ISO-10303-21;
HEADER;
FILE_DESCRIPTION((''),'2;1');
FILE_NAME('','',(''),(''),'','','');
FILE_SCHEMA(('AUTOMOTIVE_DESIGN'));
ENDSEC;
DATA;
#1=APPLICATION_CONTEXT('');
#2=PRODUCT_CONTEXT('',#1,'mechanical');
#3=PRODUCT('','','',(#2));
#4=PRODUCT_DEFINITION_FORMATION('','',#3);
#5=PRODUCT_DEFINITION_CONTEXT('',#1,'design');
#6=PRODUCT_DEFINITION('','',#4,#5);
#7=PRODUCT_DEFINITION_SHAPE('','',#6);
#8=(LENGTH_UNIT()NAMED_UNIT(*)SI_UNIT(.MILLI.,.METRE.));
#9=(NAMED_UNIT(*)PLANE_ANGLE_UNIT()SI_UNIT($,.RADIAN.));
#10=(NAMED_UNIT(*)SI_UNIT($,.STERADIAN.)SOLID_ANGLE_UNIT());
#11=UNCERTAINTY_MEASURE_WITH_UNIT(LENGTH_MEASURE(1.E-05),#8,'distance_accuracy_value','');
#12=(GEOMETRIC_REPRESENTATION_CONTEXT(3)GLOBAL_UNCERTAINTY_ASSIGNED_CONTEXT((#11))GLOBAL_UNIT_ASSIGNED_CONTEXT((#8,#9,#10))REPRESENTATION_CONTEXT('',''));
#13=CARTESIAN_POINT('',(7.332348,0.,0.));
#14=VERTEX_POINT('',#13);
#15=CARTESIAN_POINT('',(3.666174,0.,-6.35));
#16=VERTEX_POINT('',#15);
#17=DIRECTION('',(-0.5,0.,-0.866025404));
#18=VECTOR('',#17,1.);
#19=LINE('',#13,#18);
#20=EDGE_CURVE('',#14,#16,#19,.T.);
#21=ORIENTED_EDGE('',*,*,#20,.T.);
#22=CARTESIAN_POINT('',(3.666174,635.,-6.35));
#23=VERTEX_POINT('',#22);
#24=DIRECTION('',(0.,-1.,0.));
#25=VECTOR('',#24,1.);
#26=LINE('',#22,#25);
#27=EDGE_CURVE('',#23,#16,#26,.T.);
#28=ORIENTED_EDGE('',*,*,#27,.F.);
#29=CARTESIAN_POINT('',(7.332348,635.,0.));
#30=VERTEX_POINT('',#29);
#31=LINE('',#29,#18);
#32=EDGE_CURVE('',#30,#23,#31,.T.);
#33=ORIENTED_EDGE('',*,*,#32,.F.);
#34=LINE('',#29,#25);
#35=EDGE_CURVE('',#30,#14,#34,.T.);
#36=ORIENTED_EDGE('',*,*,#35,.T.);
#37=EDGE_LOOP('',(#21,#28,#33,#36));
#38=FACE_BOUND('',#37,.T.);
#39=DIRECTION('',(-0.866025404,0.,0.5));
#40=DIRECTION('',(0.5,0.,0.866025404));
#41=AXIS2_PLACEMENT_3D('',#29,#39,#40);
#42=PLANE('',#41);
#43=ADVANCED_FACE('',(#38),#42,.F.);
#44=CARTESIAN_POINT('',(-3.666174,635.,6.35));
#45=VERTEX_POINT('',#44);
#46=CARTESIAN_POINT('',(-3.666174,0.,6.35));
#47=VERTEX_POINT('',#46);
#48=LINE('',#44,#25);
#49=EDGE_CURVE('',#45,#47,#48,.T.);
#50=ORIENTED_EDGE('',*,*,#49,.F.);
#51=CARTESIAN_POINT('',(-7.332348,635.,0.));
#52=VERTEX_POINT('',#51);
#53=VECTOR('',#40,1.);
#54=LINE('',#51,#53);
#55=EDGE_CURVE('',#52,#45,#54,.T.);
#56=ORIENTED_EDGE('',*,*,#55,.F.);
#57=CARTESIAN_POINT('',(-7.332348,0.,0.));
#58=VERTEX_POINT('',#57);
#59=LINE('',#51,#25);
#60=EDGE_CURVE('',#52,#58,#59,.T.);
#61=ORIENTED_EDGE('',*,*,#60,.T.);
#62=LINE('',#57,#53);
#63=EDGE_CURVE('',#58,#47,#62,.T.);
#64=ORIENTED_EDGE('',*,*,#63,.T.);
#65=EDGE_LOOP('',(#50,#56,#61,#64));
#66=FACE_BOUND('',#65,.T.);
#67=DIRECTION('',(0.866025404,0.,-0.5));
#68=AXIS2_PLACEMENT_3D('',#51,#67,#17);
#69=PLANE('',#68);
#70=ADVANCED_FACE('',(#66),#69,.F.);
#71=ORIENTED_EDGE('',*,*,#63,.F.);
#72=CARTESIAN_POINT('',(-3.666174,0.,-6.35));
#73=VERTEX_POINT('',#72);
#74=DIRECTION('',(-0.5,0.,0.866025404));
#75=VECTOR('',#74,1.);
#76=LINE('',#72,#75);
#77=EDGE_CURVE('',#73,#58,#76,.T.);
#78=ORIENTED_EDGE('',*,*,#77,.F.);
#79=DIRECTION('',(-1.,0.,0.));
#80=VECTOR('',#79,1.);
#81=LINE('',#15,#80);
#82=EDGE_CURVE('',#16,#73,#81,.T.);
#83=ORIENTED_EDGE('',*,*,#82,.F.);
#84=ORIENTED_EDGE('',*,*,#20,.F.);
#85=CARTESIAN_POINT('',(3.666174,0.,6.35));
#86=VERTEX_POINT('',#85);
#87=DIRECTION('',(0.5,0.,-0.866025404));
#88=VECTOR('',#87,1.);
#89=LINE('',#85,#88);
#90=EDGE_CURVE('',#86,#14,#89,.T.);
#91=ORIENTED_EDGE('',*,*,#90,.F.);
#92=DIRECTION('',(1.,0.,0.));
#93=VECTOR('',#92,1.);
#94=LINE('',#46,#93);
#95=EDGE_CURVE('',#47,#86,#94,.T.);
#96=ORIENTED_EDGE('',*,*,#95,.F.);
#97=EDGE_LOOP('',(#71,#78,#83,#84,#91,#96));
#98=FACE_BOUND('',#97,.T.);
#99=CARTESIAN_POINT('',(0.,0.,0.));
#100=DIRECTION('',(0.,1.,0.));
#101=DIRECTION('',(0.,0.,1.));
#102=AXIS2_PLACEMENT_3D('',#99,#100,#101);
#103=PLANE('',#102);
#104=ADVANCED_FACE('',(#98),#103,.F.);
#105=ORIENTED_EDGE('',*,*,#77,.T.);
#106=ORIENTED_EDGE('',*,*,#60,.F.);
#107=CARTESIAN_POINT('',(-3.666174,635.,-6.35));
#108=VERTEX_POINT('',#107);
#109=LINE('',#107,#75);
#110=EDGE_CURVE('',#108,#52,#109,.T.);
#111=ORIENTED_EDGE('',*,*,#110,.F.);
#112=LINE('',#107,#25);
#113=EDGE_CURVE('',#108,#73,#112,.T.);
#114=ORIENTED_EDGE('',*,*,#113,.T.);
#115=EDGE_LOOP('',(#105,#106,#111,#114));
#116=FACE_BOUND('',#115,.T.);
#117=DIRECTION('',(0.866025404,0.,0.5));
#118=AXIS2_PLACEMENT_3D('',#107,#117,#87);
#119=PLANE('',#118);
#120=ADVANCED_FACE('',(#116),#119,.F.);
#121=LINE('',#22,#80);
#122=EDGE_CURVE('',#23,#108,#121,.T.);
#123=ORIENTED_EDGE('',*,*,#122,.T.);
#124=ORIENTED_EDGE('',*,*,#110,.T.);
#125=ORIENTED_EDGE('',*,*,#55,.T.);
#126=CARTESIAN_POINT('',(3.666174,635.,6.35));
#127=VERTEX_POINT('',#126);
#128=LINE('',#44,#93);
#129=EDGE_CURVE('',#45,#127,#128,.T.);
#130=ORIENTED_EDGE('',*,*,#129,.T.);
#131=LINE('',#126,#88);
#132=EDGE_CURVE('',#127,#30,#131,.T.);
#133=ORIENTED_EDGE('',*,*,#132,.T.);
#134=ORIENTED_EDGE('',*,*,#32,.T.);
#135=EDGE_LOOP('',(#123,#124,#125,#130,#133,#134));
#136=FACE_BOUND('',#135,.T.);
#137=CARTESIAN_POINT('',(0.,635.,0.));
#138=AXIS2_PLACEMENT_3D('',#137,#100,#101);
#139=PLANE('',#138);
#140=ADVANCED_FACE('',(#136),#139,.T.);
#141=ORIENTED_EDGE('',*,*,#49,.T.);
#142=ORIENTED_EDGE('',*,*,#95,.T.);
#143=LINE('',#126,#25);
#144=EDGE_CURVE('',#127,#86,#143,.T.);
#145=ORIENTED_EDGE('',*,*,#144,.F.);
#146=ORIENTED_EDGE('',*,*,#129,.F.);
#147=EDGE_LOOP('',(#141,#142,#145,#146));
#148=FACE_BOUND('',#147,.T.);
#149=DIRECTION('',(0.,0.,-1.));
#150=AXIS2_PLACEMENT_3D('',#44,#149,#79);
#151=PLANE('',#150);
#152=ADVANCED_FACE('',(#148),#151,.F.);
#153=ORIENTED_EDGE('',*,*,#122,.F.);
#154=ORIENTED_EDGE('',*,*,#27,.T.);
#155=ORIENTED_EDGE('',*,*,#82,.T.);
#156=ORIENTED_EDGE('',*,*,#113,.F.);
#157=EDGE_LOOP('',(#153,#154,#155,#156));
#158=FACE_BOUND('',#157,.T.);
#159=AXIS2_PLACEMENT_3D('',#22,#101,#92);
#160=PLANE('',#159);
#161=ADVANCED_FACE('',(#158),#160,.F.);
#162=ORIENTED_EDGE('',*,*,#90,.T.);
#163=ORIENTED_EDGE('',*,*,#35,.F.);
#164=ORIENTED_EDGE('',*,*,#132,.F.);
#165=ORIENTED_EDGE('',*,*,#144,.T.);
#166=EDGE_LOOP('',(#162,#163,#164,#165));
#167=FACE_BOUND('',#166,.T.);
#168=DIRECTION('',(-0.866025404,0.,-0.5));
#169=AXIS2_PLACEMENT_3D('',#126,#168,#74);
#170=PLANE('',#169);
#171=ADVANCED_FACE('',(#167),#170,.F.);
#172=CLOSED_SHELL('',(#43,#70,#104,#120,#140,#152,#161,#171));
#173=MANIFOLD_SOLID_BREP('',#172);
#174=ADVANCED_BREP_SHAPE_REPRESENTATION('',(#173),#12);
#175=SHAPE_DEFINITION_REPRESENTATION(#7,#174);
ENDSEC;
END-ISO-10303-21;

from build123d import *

# Parameters (mm, degrees)
BOSS_EXTRUDE1_DEPTH = 635


with BuildPart() as part:
    # Sketch1 → Boss-Extrude1 (new body)
    with BuildSketch(Plane(origin=(0, 0, 0), x_dir=(1, 0, 0), z_dir=(0, 1, 0))):
        Polygon((3.666174209, -6.35), (7.332348419, 0), (3.666174209, 6.35), (-3.666174209, 6.35), (-7.332348419, 0), (-3.666174209, -6.35), align=None)
    extrude(amount=BOSS_EXTRUDE1_DEPTH)


solid = part.part
